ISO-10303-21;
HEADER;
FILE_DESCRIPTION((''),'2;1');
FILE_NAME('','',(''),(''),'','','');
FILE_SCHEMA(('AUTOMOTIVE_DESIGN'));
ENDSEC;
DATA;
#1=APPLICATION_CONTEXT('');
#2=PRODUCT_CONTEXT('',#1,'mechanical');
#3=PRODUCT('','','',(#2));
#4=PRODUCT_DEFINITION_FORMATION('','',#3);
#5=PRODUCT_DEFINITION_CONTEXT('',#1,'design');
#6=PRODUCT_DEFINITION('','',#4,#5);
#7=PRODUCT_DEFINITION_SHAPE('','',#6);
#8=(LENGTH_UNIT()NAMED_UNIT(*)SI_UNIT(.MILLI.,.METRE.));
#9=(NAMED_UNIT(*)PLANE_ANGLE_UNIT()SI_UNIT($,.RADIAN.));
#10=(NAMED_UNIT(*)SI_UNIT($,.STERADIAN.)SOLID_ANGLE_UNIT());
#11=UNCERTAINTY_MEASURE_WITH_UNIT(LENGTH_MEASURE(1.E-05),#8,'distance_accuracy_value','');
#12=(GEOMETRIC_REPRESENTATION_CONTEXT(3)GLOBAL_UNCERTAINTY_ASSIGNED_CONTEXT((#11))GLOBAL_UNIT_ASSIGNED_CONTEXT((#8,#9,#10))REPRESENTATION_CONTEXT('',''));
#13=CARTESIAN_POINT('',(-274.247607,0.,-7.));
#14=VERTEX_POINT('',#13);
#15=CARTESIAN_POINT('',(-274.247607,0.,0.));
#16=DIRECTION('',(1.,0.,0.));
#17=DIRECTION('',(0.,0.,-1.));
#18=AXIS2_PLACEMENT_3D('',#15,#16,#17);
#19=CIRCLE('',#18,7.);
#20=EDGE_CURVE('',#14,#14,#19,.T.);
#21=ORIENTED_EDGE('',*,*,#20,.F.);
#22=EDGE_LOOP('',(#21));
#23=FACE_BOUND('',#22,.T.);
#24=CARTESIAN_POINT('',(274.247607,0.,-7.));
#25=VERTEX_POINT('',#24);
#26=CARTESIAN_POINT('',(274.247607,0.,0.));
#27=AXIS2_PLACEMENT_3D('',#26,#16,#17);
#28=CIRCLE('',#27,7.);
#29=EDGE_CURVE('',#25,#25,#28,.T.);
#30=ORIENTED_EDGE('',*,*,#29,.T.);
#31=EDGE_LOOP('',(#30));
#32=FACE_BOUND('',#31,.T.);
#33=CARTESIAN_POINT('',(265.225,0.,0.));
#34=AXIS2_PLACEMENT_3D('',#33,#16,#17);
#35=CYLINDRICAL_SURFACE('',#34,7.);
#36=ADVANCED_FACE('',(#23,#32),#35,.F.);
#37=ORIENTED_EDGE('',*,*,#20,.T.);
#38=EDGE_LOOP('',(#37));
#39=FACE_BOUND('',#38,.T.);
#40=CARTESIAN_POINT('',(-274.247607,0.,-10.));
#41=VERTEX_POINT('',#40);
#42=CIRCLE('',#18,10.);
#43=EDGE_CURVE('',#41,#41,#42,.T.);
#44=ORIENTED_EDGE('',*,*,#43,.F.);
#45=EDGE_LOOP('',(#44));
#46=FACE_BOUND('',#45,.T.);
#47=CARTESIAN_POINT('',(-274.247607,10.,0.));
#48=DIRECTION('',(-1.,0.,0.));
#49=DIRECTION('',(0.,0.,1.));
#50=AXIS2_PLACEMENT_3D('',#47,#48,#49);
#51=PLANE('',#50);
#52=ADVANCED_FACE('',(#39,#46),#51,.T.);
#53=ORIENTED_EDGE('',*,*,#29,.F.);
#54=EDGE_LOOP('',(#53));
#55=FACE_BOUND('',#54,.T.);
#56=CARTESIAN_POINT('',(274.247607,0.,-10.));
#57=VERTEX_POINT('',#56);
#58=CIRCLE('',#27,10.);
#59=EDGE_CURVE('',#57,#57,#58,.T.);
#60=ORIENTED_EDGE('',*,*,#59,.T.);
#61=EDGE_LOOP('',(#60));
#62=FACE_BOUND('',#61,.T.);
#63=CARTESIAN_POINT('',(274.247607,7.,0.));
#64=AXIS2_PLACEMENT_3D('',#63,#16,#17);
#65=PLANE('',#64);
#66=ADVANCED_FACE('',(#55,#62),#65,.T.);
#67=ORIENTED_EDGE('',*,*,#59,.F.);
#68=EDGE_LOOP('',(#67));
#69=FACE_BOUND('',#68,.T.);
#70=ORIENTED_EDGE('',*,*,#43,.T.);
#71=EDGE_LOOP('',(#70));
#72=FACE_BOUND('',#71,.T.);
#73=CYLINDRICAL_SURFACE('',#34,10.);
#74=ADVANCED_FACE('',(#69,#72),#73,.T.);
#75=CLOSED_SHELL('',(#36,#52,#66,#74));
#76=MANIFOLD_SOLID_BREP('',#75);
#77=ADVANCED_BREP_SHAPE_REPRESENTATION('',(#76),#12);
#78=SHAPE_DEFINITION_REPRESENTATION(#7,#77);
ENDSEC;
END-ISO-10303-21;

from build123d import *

# Parameters (mm, degrees)
SKETCH1_W = 548.49521355
SKETCH1_H = 3


with BuildPart() as part:
    # Sketch1 → Revolve1 (revolve)
    with BuildSketch(Plane.XY, mode=Mode.PRIVATE) as revolve1_sk:
        with Locations((0, 8.5)):
            Rectangle(SKETCH1_W, SKETCH1_H)
    revolve(revolve1_sk.sketch.rotate(Axis((265.225, 0, 0), (-1, 0, 0)), 90), axis=Axis((265.225, 0, 0), (-1, 0, 0)))


solid = part.part
